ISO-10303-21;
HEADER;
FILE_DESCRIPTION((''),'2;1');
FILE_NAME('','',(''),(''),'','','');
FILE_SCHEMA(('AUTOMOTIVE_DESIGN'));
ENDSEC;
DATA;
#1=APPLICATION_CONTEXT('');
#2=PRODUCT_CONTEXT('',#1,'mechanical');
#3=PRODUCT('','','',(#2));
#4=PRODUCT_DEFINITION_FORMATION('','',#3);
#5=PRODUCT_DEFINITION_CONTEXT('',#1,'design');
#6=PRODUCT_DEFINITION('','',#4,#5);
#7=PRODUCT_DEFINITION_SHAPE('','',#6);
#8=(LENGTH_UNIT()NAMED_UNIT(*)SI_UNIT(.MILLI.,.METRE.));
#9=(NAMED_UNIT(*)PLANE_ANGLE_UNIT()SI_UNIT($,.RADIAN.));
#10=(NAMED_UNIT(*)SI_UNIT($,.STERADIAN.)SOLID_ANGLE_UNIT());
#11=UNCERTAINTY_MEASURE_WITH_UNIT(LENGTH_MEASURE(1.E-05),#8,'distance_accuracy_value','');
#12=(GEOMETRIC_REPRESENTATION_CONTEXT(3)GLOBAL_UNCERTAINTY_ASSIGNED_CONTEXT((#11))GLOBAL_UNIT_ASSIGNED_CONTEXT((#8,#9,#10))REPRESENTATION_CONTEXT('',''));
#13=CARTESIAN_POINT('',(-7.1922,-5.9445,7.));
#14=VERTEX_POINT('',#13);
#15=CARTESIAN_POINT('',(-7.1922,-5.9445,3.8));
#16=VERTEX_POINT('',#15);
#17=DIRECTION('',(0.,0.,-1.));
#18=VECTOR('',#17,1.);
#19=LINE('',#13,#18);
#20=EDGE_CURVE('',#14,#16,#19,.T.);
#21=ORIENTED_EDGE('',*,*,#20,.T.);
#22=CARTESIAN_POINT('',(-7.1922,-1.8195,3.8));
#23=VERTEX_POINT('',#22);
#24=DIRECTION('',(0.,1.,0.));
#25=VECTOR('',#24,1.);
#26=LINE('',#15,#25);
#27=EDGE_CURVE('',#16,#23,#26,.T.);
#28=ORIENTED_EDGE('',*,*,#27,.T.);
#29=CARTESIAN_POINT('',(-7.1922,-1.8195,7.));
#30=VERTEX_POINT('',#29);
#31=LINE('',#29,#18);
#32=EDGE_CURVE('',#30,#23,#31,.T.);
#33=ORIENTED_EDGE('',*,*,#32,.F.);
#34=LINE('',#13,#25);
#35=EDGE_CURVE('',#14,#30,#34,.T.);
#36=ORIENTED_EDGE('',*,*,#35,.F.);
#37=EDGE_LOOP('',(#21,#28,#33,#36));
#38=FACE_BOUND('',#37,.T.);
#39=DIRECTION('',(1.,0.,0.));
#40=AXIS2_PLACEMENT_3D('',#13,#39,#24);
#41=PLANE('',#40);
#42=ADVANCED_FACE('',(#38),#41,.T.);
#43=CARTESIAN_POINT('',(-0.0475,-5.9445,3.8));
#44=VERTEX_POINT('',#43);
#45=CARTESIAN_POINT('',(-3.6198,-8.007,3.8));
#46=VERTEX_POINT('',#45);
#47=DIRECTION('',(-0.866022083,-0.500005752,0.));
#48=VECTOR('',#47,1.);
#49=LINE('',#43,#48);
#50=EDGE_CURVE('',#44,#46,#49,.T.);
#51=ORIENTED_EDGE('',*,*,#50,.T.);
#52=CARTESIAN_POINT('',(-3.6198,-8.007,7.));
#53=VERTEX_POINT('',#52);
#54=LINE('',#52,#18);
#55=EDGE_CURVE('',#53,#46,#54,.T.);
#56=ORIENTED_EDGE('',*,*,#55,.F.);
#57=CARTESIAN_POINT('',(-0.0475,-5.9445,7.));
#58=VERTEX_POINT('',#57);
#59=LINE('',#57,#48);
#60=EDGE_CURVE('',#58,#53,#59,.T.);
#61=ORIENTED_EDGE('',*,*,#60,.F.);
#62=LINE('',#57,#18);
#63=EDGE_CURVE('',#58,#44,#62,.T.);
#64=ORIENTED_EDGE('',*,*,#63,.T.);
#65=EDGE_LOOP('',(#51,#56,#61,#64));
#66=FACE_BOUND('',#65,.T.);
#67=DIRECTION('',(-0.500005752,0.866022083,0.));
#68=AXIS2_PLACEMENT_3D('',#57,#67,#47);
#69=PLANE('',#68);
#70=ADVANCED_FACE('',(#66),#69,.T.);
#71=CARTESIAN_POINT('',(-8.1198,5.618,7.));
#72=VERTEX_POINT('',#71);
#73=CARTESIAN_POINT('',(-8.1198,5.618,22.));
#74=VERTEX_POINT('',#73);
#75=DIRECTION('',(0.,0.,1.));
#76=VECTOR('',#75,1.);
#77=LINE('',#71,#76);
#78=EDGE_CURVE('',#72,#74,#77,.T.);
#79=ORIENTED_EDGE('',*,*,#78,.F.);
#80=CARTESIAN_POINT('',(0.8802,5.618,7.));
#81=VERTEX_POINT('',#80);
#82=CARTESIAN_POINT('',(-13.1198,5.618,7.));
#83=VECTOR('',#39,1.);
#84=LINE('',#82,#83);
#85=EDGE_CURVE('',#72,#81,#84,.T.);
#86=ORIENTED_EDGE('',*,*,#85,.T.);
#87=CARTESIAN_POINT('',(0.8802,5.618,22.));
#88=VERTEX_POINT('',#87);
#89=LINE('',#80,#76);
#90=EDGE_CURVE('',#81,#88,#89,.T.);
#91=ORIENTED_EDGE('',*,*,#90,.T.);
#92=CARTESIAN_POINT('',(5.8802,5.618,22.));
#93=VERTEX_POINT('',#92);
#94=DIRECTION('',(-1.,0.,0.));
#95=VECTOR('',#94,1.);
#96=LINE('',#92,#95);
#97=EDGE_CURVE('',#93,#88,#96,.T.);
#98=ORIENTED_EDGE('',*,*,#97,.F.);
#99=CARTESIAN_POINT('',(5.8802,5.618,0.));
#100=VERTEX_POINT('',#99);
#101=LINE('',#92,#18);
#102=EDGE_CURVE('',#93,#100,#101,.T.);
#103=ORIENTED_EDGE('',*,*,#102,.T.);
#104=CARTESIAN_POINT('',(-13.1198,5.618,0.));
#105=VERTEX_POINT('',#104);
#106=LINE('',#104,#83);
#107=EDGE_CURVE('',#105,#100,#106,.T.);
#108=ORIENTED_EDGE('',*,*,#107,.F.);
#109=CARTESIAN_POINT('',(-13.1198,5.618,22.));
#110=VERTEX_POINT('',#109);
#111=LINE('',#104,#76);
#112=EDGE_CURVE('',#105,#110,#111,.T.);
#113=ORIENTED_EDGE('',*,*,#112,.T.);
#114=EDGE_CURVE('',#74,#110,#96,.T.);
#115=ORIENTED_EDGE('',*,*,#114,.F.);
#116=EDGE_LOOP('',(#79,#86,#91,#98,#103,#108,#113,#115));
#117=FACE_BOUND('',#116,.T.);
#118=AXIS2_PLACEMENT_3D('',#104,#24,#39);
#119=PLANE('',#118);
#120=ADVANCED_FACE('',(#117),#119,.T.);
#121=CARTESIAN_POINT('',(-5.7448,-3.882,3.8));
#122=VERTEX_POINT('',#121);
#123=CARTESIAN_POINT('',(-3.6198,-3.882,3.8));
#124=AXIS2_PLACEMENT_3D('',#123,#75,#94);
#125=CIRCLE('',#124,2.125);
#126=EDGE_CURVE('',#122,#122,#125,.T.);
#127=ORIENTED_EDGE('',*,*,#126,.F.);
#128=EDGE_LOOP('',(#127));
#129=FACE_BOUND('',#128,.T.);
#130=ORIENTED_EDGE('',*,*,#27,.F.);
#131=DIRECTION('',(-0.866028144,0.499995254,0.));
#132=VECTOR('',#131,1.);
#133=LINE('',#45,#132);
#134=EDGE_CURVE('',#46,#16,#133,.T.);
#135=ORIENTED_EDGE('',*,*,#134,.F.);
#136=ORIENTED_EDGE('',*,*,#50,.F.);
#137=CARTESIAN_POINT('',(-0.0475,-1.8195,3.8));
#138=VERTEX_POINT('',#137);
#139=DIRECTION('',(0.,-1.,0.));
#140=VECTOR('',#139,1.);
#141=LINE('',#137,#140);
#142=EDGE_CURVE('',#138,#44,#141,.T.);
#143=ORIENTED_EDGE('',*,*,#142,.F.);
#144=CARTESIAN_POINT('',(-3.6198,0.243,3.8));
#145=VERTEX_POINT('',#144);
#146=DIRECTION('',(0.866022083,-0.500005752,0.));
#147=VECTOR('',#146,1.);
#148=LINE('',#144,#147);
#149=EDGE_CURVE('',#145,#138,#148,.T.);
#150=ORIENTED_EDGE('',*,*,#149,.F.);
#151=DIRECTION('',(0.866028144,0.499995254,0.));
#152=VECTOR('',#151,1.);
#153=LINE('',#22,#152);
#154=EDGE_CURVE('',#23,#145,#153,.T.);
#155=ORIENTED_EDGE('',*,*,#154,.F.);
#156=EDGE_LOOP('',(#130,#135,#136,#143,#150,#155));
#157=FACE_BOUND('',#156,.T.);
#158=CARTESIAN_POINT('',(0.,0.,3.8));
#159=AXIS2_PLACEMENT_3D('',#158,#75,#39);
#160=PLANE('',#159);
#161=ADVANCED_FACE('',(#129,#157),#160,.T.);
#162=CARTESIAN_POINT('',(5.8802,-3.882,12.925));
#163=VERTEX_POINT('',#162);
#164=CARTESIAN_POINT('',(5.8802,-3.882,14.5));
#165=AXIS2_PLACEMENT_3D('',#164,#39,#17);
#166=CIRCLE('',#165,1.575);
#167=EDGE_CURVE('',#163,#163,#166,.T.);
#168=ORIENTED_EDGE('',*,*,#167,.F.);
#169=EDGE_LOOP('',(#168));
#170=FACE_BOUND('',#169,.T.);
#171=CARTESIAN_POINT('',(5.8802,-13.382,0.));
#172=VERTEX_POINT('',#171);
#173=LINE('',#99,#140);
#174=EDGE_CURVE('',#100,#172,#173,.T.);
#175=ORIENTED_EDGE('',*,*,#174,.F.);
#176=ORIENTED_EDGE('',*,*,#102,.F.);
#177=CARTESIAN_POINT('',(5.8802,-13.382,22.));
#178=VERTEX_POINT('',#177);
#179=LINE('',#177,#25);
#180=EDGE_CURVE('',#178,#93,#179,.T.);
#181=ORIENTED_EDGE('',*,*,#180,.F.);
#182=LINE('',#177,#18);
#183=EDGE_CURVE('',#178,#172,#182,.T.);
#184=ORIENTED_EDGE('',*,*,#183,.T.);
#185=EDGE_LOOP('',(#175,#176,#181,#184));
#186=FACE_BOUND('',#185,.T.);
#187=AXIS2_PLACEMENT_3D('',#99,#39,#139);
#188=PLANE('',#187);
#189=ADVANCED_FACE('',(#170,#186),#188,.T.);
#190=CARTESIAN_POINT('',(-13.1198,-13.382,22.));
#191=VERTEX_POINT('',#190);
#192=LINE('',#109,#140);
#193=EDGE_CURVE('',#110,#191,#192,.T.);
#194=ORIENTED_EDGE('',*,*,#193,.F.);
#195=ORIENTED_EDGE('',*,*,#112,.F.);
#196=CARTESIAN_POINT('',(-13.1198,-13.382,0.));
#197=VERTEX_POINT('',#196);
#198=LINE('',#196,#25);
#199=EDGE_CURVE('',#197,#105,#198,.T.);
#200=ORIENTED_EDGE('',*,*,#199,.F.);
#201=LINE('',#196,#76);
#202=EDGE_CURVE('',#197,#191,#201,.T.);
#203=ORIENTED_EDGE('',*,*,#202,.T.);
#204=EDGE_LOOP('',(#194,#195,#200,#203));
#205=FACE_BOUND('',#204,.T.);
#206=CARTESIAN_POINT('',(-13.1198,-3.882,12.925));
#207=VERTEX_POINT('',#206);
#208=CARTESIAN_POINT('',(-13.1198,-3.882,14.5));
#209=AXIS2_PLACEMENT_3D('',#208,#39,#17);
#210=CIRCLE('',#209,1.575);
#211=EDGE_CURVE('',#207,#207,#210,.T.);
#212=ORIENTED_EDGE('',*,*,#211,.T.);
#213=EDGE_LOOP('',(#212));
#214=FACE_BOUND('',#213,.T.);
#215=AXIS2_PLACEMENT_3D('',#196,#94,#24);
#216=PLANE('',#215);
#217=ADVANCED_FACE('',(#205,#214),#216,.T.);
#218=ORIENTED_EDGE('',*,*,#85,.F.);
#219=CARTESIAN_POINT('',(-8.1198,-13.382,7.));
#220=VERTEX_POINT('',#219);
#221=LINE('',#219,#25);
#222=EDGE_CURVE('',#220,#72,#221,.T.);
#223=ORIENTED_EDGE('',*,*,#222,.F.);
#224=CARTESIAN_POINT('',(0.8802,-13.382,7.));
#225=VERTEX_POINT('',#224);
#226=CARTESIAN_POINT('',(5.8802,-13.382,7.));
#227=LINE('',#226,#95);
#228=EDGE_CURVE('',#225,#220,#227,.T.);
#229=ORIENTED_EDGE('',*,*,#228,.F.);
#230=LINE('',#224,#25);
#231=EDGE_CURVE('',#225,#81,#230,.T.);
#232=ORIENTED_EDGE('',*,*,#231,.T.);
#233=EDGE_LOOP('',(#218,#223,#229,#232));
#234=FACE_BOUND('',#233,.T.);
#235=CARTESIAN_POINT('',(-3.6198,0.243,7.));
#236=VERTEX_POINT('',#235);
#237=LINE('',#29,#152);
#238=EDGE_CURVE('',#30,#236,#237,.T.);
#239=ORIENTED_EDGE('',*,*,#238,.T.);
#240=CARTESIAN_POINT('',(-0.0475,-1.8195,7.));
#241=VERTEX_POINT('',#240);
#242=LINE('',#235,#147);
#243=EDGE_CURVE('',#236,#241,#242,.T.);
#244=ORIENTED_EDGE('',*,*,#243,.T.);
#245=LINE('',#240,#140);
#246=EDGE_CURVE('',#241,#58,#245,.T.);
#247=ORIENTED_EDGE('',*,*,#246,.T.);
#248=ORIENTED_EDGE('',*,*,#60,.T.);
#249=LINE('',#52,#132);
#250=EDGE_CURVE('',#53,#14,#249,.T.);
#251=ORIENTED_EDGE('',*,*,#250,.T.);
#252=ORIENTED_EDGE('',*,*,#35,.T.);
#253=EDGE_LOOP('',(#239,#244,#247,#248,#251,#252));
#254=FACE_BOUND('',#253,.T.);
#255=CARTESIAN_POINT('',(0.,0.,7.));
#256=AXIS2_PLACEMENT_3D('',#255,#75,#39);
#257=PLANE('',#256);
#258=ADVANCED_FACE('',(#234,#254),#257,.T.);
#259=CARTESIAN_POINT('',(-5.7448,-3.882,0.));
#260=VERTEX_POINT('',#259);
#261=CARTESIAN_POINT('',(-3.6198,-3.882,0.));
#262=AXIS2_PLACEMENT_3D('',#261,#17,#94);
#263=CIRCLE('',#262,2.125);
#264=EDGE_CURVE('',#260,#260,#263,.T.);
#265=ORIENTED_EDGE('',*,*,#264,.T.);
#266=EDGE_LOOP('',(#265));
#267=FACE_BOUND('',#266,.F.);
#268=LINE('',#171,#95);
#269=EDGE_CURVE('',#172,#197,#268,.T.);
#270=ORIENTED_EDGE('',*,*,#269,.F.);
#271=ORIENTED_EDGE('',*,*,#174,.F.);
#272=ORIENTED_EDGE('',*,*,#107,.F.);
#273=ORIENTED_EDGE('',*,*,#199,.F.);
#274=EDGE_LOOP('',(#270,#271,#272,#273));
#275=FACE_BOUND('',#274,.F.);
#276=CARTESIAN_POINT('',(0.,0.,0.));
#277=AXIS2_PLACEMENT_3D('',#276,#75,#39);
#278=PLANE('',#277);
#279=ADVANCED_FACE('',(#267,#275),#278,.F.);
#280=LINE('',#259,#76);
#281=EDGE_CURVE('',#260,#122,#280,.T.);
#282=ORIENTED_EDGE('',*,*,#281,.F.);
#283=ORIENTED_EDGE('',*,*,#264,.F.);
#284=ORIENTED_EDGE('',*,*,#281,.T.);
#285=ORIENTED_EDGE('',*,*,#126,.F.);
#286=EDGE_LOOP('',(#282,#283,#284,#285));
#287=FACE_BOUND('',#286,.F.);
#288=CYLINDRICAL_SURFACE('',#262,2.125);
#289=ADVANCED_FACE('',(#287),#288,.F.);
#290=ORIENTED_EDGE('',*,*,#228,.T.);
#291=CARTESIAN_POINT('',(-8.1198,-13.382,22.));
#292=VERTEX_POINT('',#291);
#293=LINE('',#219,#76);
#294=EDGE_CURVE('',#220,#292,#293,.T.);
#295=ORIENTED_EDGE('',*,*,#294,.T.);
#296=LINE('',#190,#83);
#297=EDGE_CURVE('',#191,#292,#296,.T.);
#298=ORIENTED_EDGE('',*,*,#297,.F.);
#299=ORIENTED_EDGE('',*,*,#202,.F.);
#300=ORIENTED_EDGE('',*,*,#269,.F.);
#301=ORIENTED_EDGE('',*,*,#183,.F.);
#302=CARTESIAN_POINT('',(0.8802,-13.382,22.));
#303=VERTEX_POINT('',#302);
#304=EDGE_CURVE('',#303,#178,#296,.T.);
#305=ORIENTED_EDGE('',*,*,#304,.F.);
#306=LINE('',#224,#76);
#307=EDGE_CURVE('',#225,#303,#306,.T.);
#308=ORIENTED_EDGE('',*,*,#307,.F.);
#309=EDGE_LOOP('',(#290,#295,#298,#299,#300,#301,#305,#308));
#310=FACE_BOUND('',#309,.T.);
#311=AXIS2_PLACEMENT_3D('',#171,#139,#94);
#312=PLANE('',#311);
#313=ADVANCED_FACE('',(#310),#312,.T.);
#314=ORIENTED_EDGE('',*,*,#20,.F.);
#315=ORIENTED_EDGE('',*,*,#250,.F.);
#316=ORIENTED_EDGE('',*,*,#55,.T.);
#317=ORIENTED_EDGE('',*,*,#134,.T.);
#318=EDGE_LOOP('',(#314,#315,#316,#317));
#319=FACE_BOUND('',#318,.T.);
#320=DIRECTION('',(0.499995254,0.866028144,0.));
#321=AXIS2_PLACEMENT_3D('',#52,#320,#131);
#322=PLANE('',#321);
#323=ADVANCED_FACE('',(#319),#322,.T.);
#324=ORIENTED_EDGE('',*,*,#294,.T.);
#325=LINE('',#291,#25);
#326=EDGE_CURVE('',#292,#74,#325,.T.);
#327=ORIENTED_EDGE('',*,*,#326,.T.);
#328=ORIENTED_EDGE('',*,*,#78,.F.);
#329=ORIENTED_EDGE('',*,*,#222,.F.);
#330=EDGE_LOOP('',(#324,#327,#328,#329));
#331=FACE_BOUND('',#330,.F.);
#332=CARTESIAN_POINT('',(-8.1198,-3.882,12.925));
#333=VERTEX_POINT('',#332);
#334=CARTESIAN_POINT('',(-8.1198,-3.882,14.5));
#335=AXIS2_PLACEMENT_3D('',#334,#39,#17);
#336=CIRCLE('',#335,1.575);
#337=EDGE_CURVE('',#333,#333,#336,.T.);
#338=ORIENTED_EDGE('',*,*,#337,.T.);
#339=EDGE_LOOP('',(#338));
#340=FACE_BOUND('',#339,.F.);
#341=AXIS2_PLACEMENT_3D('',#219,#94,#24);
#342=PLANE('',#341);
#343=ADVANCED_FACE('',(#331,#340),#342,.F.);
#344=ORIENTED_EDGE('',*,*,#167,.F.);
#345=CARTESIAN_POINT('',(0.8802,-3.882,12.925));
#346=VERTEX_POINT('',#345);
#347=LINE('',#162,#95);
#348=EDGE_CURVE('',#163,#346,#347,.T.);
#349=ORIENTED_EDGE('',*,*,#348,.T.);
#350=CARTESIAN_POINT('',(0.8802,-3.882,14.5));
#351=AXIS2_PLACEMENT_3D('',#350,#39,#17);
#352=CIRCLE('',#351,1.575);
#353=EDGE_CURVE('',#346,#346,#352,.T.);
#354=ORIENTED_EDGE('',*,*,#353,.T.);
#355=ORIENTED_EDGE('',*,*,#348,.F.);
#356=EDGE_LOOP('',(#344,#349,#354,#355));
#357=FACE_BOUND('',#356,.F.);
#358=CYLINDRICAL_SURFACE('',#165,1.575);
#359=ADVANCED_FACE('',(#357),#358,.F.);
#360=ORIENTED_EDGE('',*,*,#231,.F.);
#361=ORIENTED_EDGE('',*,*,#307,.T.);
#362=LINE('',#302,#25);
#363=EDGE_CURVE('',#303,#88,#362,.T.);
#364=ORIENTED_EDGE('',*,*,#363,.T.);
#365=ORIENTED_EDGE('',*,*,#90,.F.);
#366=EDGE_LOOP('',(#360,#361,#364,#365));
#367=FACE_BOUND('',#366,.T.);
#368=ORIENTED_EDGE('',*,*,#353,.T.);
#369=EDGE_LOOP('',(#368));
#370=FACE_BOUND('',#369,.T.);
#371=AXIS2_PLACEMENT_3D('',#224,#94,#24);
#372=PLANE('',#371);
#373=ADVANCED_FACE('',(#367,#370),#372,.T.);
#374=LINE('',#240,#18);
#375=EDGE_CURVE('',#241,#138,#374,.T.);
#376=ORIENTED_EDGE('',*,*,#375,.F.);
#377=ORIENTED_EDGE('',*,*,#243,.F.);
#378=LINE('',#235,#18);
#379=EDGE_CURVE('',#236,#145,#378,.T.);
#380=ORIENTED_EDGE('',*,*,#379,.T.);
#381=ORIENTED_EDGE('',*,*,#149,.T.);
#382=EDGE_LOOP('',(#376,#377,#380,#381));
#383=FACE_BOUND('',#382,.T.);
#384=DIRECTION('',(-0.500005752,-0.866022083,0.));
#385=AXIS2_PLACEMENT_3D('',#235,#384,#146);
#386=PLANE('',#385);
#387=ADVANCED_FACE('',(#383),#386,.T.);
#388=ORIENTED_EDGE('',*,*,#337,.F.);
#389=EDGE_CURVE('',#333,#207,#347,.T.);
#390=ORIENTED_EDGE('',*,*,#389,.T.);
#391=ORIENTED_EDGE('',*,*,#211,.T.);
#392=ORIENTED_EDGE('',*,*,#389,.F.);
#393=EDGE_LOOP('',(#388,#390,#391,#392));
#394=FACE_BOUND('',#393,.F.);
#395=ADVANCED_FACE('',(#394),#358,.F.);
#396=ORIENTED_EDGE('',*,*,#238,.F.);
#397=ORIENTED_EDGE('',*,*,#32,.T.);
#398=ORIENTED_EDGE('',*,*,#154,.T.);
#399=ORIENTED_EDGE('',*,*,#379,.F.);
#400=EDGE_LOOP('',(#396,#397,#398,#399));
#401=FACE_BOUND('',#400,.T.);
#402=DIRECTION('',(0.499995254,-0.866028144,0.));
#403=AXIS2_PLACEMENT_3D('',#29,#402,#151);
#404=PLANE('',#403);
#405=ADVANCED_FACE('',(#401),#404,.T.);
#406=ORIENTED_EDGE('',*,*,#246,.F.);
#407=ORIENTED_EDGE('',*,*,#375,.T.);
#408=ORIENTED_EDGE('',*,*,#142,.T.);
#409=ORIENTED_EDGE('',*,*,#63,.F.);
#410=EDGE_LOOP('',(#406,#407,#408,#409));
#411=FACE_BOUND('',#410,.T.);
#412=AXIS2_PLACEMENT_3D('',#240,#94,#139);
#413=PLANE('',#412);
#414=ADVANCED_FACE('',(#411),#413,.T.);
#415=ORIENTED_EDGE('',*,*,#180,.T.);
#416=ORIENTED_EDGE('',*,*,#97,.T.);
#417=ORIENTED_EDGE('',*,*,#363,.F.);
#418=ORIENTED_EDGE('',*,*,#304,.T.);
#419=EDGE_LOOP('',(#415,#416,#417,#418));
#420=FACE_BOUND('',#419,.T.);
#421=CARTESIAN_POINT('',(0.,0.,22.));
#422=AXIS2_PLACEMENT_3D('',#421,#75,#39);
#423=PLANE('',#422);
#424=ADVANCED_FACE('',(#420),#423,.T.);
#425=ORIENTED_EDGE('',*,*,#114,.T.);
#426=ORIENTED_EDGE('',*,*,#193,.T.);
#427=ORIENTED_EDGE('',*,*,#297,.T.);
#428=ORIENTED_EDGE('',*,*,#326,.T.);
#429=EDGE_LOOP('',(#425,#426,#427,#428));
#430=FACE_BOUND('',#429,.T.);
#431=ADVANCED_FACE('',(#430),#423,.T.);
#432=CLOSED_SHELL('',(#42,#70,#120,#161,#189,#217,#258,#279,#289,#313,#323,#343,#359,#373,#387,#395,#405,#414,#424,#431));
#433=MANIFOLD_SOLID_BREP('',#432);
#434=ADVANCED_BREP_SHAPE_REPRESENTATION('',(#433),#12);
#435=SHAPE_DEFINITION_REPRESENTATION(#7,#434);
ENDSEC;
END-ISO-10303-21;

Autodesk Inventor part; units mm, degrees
ref_plane "YZ Plane" through (0, 0, 0) normal (1, 0, 0) x (0, 1, 0)
ref_plane "XZ Plane" through (0, 0, 0) normal (0, 1, 0) x (-1, 0, 0)
ref_plane "XY Plane" through (0, 0, 0) normal (0, 0, 1) x (1, 0, 0)
sketch "Sketch1" plane through (0, 0, 0) normal (0, 0, 1) x (1, 0, 0)
  line L0 (-13.1198, 5.618) -> (5.8802, 5.618)
  line L1 (5.8802, 5.618) -> (5.8802, -13.382)
  line L2 (5.8802, -13.382) -> (-13.1198, -13.382)
  line L3 (-13.1198, -13.382) -> (-13.1198, 5.618)
  point P0 (0, 0)
  dimension "d0" = 19
  dimension "d1" = 19
extrude "Extrusion1" add sketch "Sketch1" along normal blind 7
sketch "Sketch2" plane through (0, 0, 7) normal (0, 0, 1) x (1, 0, 0)
  line L0 (5.8802, 5.618) -> (-13.1198, 5.618) projected
  line L1 (-13.1198, 5.618) -> (-13.1198, -13.382) projected
  line L2 (-13.1198, -13.382) -> (5.8802, -13.382) projected
  line L3 (5.8802, -13.382) -> (5.8802, 5.618) projected
  line L4 (-13.1198, -13.382) -> (5.8802, -13.382) projected
  line L5 (-8.1198, -13.382) -> (-8.1198, 5.618)
  line L6 (5.8802, 5.618) -> (-13.1198, 5.618) projected
  line L7 (0.8802, -13.382) -> (0.8802, 5.618)
  line L8 (-13.1198, 3.1934) -> (-8.1198, 3.1934) construction
  line L9 (-8.1198, 3.1934) -> (0.8802, 3.1934) construction
  line L10 (0.8802, 3.1934) -> (5.8802, 3.1934) construction
  point P0 (0, 0)
  dimension "d4" = 9
extrude "Extrusion2" add sketch "Sketch2" along normal blind 15 contours L3 L2 L7 L0 | L5 L2 L1 L0
sketch "Sketch3" plane through (0, 0, 0) normal (0, 0, -1) x (-1, 0, 0)
  circle A0 centre (3.6198, -3.882) radius 2.125
  line L0 (13.1198, 5.618) -> (-5.8802, 5.618) projected
  line L1 (13.1198, -13.382) -> (8.1198, -13.382) projected
  line L2 (-5.8802, 5.618) -> (13.1198, -13.382) construction
  line L3 (13.1198, 5.618) -> (-5.8802, -13.382) construction
  point P0 (0, 0)
  dimension "d7" = 4.25
extrude "Extrusion3" cut sketch "Sketch3" against normal up to next
sketch "Sketch4" plane through (5.8802, -13.382, 0) normal (1, 0, 0) x (0, 0, -1)
  circle A0 centre (-14.5, 9.5) radius 1.575
  line L0 (-7, 0) -> (-7, 19) projected
  line L1 (-7, 0) -> (-22, 0) projected
  line L2 (-22, 0) -> (-7, 19) construction
  line L3 (-22, 0) -> (-22, 19) projected
  line L4 (-7, 0) -> (-22, 19) construction
  point P0 (0, 13.382)
  dimension "d10" = 3.15
extrude "Extrusion4" cut sketch "Sketch4" against normal through all
sketch "Sketch5" plane through (0, 0, 7) normal (0, 0, 1) x (1, 0, 0)
  line L0 (-3.6198, 0.243) -> (-0.0475, -1.8195)
  line L1 (-0.0475, -1.8195) -> (-0.0475, -5.9445)
  line L2 (-0.0475, -5.9445) -> (-3.6198, -8.007)
  line L3 (-3.6198, -8.007) -> (-7.1922, -5.9445)
  line L4 (-7.1922, -5.9445) -> (-7.1922, -1.8195)
  line L5 (-7.1922, -1.8195) -> (-3.6198, 0.243)
  circle A0 centre (-3.6198, -3.882) radius 2.125 projected
  point P0 (0, 0)
  dimension "d13" = 8.25
extrude "Extrusion5" cut sketch "Sketch5" against normal blind 3.2
properties part number "YPulleySupportHolder"
